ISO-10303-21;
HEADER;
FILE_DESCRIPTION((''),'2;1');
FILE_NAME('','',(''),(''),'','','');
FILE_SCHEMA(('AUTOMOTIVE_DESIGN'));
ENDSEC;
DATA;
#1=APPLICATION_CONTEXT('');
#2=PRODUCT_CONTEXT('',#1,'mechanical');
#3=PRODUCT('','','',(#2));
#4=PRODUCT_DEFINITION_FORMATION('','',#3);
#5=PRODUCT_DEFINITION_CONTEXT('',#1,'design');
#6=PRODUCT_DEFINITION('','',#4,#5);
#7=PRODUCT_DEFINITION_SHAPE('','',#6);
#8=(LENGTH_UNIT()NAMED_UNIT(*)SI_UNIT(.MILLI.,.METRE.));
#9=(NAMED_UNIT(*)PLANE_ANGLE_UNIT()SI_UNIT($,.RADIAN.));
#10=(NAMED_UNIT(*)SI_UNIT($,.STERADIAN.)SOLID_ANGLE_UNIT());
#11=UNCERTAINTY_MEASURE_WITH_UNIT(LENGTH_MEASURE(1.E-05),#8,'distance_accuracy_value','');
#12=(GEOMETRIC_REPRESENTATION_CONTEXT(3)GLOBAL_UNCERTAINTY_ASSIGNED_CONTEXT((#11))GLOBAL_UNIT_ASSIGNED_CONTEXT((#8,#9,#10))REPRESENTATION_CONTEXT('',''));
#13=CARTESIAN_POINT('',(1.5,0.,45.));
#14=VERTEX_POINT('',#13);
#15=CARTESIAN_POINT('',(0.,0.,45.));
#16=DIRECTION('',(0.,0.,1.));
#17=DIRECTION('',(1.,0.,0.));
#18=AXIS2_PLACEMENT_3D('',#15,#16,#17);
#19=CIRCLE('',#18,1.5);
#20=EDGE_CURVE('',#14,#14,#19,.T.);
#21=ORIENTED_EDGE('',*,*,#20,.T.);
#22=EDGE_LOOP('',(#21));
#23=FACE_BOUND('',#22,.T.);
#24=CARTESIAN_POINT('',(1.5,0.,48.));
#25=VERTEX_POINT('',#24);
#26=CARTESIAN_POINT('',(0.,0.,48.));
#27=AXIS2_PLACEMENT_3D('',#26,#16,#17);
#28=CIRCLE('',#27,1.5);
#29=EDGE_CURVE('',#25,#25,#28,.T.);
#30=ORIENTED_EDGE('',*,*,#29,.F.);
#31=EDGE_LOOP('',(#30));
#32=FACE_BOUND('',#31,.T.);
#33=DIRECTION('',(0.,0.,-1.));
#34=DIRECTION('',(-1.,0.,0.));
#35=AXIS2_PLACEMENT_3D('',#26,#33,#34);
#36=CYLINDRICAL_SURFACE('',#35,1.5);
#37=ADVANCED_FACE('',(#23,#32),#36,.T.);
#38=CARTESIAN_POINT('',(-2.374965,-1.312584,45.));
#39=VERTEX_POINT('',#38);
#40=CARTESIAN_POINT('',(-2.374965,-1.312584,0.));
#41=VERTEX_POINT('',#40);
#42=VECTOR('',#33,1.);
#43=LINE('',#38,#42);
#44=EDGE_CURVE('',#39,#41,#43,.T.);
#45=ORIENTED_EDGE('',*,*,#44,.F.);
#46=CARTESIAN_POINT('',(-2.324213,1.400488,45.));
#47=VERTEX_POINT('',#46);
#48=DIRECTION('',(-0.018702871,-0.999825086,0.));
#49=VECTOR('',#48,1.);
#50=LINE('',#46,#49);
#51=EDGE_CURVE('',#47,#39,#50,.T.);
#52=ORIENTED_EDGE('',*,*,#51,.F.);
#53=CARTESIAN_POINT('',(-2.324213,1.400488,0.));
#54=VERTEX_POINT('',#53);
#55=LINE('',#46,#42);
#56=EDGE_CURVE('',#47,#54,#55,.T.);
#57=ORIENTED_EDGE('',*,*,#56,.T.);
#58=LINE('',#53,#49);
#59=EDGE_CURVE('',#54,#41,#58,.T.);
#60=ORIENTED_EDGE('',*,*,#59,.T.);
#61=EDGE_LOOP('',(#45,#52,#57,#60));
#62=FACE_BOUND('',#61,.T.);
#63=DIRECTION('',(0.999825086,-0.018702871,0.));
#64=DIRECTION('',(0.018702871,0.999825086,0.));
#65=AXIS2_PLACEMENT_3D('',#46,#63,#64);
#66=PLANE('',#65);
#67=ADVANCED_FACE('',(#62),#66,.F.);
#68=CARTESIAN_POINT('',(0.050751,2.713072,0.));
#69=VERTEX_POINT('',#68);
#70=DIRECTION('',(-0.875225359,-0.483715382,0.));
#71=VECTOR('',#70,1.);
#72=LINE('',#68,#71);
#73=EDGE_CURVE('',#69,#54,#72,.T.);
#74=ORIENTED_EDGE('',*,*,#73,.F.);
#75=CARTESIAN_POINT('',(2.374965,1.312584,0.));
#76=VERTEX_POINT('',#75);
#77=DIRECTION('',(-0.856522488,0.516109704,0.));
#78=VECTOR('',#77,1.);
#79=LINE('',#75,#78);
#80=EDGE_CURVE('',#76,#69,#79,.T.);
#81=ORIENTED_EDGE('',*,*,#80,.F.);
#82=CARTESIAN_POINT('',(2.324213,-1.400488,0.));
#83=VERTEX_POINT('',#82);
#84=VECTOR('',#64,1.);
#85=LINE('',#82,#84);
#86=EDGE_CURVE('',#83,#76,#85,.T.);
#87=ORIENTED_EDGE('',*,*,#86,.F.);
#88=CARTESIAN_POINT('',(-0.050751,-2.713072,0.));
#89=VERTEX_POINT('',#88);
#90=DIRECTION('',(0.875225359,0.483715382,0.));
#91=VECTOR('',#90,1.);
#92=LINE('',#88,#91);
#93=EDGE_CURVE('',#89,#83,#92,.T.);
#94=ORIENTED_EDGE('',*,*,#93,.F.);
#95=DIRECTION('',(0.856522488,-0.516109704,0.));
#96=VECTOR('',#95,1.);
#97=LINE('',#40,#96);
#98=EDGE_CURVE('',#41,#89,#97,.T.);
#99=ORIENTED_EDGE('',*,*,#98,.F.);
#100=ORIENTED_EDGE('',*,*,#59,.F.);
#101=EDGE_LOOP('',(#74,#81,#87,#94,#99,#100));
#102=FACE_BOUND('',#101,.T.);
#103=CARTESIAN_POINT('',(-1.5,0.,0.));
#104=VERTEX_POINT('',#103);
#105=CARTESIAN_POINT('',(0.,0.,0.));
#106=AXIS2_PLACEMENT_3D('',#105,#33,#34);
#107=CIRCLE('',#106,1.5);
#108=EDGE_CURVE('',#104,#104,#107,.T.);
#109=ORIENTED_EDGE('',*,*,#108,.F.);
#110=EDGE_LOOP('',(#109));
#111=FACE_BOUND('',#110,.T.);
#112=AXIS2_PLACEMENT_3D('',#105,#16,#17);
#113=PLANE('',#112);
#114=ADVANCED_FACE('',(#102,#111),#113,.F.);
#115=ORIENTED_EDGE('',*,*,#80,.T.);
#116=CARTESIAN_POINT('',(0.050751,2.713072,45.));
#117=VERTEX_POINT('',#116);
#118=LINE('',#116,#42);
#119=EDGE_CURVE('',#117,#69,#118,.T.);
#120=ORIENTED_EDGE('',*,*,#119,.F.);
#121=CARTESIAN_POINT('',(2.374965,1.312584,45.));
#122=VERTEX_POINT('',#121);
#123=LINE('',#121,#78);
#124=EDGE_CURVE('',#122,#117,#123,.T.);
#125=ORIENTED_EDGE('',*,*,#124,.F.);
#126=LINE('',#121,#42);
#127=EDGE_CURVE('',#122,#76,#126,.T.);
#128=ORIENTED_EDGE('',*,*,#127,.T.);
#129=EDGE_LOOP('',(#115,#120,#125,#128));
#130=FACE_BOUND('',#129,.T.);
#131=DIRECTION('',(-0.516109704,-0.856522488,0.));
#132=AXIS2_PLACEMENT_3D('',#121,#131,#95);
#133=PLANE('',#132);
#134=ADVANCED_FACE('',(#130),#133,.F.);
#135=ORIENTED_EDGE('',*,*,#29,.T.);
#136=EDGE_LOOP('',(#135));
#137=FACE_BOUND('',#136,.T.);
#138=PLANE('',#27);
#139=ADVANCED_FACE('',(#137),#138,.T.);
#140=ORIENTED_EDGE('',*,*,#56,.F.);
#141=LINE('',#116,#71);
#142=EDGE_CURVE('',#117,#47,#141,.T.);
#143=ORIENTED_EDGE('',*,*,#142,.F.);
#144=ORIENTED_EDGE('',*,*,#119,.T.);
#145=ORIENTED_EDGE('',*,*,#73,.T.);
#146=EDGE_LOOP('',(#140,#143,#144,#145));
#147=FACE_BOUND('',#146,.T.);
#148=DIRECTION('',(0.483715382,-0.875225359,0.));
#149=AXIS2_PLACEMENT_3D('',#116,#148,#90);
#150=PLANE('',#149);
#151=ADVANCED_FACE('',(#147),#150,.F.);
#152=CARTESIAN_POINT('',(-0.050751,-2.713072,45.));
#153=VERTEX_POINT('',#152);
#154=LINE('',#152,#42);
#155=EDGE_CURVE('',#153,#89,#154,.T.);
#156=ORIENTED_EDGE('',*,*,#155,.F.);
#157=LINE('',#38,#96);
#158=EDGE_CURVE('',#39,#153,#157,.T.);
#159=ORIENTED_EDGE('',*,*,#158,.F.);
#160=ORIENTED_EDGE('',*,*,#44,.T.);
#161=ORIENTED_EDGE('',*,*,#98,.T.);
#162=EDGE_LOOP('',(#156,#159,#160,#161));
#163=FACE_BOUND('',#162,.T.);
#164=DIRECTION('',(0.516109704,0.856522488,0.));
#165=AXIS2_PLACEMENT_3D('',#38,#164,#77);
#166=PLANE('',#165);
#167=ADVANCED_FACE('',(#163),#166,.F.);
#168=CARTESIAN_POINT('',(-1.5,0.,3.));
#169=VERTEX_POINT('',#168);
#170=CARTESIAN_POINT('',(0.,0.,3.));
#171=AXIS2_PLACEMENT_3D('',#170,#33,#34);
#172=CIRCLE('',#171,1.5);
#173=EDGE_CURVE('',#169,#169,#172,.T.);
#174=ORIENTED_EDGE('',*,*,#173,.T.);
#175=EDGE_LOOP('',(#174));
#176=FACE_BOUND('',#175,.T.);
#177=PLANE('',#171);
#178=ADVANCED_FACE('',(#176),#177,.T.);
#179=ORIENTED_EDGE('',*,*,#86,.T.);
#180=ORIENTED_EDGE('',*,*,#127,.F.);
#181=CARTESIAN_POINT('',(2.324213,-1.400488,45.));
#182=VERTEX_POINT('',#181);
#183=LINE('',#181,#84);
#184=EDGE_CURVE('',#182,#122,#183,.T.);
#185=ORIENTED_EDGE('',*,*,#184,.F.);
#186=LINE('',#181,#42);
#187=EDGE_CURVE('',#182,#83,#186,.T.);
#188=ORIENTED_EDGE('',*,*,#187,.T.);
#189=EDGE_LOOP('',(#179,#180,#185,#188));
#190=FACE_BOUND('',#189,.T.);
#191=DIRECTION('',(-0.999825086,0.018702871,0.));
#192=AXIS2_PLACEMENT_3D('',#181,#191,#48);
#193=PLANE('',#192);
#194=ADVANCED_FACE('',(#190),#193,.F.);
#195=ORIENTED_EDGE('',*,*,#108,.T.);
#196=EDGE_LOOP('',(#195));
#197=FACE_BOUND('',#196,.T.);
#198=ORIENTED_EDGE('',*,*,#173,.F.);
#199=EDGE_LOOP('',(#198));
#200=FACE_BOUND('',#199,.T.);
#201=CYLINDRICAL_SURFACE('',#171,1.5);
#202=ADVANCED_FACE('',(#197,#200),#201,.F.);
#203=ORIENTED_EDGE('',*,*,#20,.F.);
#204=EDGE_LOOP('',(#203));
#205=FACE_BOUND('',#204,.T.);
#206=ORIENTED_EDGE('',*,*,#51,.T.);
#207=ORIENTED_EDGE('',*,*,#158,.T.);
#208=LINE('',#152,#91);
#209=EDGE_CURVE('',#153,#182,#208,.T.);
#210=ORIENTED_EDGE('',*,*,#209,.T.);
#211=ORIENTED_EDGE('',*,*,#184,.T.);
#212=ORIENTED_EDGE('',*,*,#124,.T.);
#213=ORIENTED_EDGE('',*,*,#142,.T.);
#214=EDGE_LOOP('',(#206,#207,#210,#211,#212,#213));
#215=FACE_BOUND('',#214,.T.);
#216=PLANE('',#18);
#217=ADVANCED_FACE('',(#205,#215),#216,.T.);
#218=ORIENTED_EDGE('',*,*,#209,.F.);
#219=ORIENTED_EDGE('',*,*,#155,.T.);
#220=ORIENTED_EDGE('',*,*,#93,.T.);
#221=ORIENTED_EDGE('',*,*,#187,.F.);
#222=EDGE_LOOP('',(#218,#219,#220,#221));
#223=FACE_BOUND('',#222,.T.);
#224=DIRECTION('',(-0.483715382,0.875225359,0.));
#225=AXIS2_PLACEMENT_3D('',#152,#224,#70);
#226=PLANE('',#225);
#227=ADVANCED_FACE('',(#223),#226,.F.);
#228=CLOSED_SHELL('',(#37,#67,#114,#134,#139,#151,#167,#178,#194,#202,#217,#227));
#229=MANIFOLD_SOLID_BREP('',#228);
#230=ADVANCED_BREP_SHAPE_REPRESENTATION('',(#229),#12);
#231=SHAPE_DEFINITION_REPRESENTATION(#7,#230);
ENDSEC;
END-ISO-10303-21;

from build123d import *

# Parameters (mm, degrees)
EXTRUDE_1_DEPTH     = 45
SKETCH_2_R          = 1.5
EXTRUDE_2_DEPTH     = 3
SKETCH_3_R          = 1.5
CUT_EXTRUDE_1_DEPTH = 3


with BuildPart() as part:
    # 草图1 → 凸台-拉伸1 (new body)
    with BuildSketch(Plane.XY):
        Polygon((-2.324213399, 1.400487561), (-2.374964505, -1.312584067), (-0.050751106, -2.713071628), (2.324213399, -1.400487561), (2.374964505, 1.312584067), (0.050751106, 2.713071628), align=None)
    extrude(amount=EXTRUDE_1_DEPTH)

    # 草图2 → 凸台-拉伸2 (add)
    with BuildSketch(Plane.XY.offset(45)):
        Circle(SKETCH_2_R)
    extrude(amount=EXTRUDE_2_DEPTH)

    # 草图3 → 切除-拉伸1 (cut)
    with BuildSketch(Plane(origin=(0, 0, 0), x_dir=(-1, 0, 0), z_dir=(0, 0, -1))):
        with Locations(Location((0, 0, 0), (0, 0, 180))):
            Circle(SKETCH_3_R)
    extrude(amount=-CUT_EXTRUDE_1_DEPTH, mode=Mode.SUBTRACT)


solid = part.part
